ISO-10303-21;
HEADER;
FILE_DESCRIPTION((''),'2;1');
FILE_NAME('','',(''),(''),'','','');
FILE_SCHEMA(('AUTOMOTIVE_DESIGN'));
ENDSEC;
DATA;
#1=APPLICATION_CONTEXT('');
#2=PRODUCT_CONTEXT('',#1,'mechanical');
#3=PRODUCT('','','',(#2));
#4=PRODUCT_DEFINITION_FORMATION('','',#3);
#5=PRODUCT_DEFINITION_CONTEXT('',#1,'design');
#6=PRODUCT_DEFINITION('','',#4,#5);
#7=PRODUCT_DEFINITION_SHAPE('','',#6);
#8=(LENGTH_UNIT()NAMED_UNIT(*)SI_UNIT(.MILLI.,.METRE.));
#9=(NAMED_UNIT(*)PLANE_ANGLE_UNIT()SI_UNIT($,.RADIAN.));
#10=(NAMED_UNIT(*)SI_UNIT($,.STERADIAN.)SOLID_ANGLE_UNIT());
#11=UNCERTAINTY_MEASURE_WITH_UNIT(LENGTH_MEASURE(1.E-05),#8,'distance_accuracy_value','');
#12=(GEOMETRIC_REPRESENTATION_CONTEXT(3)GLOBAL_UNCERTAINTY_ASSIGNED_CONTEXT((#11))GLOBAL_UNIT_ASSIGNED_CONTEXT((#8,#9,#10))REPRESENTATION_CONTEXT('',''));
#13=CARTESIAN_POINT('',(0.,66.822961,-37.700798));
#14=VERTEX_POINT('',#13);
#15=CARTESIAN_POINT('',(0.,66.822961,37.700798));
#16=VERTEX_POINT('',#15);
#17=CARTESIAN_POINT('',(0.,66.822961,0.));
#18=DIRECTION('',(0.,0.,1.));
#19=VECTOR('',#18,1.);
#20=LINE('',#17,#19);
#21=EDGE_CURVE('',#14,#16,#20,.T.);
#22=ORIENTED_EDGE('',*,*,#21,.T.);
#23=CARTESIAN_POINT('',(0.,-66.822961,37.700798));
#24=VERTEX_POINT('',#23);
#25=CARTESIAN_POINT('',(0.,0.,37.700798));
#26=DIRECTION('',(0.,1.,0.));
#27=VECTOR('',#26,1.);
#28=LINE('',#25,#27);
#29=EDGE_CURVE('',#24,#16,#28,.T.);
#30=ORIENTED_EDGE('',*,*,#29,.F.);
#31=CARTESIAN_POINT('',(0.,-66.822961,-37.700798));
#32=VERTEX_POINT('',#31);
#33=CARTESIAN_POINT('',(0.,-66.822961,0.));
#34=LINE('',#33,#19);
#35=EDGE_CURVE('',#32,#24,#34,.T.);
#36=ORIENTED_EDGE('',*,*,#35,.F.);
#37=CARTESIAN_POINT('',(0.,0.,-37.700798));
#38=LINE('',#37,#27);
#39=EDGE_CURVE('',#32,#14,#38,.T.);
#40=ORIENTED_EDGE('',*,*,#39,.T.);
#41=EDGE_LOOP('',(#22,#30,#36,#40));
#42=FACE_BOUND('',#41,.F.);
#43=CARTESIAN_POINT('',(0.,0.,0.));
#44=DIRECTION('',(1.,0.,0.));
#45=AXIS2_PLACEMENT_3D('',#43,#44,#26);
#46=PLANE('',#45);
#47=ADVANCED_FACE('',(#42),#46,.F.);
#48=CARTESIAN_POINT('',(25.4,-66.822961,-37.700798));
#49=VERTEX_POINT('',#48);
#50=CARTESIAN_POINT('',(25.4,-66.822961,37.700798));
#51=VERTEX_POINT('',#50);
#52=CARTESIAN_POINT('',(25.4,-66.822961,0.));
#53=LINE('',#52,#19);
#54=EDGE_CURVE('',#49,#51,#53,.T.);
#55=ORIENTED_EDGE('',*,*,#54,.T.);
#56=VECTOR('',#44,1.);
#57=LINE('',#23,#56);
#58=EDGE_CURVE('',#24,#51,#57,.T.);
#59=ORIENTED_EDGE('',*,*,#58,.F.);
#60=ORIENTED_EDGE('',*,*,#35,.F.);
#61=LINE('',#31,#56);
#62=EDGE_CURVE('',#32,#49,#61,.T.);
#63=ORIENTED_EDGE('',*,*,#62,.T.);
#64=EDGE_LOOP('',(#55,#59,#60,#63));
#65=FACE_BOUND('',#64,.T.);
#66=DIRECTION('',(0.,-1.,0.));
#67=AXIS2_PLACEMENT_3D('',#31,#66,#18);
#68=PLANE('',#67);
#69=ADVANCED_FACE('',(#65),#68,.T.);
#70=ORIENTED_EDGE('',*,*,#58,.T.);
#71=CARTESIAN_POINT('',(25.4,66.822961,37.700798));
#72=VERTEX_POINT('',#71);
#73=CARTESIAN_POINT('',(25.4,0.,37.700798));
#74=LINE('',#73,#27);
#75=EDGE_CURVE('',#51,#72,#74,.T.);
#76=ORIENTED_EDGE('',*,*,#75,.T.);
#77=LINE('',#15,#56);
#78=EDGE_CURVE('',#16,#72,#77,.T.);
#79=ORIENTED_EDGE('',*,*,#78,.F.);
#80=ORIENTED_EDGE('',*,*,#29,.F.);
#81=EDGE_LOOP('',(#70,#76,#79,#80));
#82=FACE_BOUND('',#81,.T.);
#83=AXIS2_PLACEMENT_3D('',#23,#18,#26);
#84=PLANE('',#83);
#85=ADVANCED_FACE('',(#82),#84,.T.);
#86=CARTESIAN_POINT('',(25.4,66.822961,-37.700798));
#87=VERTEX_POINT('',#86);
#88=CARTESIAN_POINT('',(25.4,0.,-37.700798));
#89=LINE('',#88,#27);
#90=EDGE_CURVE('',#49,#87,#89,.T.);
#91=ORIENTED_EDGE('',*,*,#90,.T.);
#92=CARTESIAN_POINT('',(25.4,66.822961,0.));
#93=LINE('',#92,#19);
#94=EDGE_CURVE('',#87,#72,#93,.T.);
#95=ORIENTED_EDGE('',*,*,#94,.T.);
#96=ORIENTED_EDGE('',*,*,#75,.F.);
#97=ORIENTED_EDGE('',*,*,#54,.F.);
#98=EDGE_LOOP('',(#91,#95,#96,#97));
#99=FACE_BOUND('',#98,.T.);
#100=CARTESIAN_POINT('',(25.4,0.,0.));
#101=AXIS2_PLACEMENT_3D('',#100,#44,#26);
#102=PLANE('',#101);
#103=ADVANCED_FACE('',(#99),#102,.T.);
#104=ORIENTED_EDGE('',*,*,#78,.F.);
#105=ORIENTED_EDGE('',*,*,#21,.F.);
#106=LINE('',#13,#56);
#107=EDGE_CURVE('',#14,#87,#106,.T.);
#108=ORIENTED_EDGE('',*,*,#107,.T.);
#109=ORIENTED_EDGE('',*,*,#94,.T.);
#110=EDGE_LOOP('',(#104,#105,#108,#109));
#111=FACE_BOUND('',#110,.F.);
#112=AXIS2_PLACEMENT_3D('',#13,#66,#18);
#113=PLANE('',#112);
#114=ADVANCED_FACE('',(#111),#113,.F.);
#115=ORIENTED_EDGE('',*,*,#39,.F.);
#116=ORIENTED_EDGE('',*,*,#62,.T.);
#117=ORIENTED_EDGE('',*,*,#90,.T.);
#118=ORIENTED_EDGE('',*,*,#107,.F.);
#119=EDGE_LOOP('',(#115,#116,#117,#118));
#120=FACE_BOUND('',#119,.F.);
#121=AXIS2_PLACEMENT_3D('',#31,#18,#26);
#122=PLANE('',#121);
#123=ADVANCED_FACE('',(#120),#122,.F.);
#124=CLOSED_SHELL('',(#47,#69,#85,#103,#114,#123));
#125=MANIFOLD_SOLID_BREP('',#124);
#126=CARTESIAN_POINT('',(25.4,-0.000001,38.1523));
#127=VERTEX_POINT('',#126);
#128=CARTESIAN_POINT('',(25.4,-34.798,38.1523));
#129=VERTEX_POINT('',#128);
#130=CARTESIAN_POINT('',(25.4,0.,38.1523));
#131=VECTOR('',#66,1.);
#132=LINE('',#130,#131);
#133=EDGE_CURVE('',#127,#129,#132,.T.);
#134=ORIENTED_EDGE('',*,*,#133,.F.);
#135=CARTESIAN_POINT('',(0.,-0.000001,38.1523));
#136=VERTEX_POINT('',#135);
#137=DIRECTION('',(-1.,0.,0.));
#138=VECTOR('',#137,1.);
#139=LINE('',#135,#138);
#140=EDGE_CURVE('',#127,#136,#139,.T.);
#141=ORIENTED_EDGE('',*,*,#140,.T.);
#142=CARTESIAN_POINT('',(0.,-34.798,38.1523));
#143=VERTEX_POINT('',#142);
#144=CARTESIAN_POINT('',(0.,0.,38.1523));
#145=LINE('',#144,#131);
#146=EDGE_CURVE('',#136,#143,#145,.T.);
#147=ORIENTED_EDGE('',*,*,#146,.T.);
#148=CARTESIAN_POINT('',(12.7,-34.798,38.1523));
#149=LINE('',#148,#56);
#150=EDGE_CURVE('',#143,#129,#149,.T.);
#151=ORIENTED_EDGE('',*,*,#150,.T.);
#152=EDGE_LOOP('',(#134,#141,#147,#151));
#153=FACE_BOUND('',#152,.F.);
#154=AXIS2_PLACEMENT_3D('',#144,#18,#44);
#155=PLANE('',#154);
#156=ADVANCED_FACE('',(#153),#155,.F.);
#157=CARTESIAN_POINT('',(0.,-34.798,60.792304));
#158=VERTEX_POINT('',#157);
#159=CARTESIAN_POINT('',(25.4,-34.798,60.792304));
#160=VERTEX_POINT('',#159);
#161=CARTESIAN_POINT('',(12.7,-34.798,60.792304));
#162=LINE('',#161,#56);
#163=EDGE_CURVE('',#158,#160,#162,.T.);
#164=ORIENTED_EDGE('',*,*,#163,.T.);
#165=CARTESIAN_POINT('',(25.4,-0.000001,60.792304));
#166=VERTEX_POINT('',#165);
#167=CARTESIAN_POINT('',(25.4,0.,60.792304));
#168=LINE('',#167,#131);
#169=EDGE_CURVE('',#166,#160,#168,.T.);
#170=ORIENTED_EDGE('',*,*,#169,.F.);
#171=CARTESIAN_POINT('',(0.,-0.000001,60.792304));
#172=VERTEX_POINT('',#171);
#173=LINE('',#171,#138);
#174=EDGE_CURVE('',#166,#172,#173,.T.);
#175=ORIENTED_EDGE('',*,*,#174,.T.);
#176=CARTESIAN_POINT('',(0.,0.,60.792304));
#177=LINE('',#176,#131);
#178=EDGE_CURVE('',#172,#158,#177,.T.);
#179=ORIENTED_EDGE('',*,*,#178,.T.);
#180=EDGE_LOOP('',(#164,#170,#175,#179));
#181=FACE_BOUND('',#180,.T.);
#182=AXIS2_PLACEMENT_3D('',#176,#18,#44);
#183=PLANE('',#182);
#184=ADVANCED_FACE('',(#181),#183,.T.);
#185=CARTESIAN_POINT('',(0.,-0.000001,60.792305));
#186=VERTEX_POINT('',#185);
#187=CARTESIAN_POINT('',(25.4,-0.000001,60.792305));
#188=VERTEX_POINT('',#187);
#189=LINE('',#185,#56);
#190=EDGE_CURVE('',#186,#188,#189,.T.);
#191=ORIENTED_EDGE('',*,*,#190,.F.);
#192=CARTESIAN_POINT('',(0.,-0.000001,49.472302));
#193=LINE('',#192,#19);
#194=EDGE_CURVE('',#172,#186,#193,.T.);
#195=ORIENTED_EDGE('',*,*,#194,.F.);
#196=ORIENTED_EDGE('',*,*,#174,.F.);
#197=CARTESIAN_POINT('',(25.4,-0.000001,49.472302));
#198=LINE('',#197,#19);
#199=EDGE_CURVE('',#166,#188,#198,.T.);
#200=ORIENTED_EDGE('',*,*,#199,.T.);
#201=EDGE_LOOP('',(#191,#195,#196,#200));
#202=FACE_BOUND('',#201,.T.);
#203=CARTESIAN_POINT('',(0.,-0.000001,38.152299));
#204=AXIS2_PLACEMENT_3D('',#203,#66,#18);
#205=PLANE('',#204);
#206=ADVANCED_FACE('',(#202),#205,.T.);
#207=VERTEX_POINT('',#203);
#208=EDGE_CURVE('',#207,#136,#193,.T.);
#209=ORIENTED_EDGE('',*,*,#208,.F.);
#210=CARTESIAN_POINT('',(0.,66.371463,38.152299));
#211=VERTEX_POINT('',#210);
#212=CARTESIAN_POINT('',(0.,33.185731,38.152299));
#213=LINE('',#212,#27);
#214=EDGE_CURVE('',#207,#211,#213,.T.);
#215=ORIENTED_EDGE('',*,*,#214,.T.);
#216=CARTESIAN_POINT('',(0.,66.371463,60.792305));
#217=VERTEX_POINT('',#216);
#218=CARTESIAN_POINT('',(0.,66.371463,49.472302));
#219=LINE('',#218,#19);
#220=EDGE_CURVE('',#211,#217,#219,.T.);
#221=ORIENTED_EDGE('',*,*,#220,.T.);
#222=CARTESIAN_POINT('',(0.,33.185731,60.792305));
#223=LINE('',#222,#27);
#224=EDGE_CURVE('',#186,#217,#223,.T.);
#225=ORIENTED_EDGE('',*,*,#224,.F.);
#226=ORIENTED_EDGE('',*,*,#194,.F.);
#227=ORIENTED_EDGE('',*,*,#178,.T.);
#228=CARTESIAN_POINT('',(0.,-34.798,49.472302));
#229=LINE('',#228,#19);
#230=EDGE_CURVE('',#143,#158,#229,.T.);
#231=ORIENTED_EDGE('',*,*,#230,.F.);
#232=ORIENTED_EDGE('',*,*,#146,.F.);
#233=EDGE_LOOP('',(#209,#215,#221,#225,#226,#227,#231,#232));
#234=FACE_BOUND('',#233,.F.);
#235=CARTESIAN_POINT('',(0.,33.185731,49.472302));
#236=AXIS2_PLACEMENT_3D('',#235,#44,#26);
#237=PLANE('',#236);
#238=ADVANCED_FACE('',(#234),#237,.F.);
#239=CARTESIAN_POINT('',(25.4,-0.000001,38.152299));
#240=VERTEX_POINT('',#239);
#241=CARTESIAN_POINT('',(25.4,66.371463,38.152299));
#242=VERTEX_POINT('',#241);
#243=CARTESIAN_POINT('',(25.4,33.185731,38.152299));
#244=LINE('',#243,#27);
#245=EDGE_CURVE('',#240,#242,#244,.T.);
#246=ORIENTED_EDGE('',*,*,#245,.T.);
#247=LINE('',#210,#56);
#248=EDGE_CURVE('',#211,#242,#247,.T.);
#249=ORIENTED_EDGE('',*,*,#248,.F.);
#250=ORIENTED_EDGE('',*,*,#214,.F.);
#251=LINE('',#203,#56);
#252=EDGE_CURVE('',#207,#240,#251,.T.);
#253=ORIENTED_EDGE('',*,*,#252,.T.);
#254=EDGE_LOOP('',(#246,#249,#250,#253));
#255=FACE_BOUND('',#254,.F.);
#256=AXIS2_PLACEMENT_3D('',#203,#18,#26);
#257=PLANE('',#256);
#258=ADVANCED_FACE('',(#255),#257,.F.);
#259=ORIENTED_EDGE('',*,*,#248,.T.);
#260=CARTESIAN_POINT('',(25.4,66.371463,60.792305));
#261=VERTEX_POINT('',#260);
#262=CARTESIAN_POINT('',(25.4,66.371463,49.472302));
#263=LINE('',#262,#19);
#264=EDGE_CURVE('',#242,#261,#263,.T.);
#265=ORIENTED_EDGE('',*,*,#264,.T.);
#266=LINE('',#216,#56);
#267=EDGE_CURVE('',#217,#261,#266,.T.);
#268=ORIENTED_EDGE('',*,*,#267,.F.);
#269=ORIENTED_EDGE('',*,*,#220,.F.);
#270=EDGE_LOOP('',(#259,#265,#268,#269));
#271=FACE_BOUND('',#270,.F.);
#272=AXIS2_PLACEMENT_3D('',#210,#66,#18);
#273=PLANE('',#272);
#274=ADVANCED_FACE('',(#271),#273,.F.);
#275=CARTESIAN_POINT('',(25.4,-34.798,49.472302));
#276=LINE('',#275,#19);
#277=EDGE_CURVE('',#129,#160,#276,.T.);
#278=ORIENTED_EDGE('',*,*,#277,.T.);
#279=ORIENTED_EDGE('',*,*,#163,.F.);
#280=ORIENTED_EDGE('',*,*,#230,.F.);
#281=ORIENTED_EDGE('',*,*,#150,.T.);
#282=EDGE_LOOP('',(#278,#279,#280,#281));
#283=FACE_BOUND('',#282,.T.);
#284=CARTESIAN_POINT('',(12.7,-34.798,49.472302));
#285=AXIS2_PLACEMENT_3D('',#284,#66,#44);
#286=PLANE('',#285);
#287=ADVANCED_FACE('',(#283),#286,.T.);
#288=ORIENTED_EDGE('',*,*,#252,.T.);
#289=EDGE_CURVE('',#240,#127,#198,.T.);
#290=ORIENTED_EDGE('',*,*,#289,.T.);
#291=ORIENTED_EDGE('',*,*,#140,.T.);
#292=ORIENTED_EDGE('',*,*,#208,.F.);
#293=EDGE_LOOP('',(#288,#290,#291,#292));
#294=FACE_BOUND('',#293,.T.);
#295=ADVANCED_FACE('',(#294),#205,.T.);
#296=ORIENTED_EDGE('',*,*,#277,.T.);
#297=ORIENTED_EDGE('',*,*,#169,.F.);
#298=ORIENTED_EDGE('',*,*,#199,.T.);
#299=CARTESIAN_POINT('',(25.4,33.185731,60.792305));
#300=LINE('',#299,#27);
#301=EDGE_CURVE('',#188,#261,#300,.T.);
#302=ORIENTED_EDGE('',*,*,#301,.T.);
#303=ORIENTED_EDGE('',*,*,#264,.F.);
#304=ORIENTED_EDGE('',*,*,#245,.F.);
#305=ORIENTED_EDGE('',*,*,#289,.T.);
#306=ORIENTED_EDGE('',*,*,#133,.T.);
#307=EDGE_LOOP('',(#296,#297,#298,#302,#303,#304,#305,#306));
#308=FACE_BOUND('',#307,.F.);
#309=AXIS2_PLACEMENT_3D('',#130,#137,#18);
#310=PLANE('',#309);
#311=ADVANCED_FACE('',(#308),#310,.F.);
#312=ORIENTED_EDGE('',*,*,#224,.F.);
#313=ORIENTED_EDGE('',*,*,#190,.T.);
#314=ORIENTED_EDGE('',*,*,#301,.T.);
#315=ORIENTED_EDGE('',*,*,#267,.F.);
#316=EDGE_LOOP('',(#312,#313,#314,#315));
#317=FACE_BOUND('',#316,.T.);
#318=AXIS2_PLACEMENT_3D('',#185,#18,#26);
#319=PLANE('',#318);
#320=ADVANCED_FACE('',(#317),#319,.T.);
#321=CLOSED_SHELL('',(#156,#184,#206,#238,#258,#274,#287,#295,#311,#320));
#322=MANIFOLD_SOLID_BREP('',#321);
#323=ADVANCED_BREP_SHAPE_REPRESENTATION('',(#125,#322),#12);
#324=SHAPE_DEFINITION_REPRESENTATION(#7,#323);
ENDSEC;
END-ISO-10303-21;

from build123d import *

# Parameters (mm, degrees)
F0_W      = 133.645922
F0_H      = 75.401596
F1_DEPTH  = 25.4
F2_W      = 66.371463
F2_H      = 22.640005
F3_DEPTH  = 25.4
F3_FACE_W = 25.4
F3_FACE_H = 22.640004
F4_DEPTH  = 34.798


with BuildPart() as f1:
    # F0 (on Right) → F1 (new body)
    with BuildSketch(Plane.YZ):
        Rectangle(F0_W, F0_H)
    extrude(amount=F1_DEPTH)


with BuildPart() as f3:
    # F2 (on Right) → F3 (new body)
    with BuildSketch(Plane.YZ):
        with Locations((33.185731, 49.472302)):
            Rectangle(F2_W, F2_H)
    extrude(amount=F3_DEPTH)

    # F3_face (on face) → F4 (join)
    with BuildSketch(Plane(origin=(12.7, 0, 49.472302), x_dir=(1, 0, 0), z_dir=(0, -1, 0))):
        Rectangle(F3_FACE_W, F3_FACE_H)
    extrude(amount=F4_DEPTH)


solid = Compound([f1.part, f3.part])
